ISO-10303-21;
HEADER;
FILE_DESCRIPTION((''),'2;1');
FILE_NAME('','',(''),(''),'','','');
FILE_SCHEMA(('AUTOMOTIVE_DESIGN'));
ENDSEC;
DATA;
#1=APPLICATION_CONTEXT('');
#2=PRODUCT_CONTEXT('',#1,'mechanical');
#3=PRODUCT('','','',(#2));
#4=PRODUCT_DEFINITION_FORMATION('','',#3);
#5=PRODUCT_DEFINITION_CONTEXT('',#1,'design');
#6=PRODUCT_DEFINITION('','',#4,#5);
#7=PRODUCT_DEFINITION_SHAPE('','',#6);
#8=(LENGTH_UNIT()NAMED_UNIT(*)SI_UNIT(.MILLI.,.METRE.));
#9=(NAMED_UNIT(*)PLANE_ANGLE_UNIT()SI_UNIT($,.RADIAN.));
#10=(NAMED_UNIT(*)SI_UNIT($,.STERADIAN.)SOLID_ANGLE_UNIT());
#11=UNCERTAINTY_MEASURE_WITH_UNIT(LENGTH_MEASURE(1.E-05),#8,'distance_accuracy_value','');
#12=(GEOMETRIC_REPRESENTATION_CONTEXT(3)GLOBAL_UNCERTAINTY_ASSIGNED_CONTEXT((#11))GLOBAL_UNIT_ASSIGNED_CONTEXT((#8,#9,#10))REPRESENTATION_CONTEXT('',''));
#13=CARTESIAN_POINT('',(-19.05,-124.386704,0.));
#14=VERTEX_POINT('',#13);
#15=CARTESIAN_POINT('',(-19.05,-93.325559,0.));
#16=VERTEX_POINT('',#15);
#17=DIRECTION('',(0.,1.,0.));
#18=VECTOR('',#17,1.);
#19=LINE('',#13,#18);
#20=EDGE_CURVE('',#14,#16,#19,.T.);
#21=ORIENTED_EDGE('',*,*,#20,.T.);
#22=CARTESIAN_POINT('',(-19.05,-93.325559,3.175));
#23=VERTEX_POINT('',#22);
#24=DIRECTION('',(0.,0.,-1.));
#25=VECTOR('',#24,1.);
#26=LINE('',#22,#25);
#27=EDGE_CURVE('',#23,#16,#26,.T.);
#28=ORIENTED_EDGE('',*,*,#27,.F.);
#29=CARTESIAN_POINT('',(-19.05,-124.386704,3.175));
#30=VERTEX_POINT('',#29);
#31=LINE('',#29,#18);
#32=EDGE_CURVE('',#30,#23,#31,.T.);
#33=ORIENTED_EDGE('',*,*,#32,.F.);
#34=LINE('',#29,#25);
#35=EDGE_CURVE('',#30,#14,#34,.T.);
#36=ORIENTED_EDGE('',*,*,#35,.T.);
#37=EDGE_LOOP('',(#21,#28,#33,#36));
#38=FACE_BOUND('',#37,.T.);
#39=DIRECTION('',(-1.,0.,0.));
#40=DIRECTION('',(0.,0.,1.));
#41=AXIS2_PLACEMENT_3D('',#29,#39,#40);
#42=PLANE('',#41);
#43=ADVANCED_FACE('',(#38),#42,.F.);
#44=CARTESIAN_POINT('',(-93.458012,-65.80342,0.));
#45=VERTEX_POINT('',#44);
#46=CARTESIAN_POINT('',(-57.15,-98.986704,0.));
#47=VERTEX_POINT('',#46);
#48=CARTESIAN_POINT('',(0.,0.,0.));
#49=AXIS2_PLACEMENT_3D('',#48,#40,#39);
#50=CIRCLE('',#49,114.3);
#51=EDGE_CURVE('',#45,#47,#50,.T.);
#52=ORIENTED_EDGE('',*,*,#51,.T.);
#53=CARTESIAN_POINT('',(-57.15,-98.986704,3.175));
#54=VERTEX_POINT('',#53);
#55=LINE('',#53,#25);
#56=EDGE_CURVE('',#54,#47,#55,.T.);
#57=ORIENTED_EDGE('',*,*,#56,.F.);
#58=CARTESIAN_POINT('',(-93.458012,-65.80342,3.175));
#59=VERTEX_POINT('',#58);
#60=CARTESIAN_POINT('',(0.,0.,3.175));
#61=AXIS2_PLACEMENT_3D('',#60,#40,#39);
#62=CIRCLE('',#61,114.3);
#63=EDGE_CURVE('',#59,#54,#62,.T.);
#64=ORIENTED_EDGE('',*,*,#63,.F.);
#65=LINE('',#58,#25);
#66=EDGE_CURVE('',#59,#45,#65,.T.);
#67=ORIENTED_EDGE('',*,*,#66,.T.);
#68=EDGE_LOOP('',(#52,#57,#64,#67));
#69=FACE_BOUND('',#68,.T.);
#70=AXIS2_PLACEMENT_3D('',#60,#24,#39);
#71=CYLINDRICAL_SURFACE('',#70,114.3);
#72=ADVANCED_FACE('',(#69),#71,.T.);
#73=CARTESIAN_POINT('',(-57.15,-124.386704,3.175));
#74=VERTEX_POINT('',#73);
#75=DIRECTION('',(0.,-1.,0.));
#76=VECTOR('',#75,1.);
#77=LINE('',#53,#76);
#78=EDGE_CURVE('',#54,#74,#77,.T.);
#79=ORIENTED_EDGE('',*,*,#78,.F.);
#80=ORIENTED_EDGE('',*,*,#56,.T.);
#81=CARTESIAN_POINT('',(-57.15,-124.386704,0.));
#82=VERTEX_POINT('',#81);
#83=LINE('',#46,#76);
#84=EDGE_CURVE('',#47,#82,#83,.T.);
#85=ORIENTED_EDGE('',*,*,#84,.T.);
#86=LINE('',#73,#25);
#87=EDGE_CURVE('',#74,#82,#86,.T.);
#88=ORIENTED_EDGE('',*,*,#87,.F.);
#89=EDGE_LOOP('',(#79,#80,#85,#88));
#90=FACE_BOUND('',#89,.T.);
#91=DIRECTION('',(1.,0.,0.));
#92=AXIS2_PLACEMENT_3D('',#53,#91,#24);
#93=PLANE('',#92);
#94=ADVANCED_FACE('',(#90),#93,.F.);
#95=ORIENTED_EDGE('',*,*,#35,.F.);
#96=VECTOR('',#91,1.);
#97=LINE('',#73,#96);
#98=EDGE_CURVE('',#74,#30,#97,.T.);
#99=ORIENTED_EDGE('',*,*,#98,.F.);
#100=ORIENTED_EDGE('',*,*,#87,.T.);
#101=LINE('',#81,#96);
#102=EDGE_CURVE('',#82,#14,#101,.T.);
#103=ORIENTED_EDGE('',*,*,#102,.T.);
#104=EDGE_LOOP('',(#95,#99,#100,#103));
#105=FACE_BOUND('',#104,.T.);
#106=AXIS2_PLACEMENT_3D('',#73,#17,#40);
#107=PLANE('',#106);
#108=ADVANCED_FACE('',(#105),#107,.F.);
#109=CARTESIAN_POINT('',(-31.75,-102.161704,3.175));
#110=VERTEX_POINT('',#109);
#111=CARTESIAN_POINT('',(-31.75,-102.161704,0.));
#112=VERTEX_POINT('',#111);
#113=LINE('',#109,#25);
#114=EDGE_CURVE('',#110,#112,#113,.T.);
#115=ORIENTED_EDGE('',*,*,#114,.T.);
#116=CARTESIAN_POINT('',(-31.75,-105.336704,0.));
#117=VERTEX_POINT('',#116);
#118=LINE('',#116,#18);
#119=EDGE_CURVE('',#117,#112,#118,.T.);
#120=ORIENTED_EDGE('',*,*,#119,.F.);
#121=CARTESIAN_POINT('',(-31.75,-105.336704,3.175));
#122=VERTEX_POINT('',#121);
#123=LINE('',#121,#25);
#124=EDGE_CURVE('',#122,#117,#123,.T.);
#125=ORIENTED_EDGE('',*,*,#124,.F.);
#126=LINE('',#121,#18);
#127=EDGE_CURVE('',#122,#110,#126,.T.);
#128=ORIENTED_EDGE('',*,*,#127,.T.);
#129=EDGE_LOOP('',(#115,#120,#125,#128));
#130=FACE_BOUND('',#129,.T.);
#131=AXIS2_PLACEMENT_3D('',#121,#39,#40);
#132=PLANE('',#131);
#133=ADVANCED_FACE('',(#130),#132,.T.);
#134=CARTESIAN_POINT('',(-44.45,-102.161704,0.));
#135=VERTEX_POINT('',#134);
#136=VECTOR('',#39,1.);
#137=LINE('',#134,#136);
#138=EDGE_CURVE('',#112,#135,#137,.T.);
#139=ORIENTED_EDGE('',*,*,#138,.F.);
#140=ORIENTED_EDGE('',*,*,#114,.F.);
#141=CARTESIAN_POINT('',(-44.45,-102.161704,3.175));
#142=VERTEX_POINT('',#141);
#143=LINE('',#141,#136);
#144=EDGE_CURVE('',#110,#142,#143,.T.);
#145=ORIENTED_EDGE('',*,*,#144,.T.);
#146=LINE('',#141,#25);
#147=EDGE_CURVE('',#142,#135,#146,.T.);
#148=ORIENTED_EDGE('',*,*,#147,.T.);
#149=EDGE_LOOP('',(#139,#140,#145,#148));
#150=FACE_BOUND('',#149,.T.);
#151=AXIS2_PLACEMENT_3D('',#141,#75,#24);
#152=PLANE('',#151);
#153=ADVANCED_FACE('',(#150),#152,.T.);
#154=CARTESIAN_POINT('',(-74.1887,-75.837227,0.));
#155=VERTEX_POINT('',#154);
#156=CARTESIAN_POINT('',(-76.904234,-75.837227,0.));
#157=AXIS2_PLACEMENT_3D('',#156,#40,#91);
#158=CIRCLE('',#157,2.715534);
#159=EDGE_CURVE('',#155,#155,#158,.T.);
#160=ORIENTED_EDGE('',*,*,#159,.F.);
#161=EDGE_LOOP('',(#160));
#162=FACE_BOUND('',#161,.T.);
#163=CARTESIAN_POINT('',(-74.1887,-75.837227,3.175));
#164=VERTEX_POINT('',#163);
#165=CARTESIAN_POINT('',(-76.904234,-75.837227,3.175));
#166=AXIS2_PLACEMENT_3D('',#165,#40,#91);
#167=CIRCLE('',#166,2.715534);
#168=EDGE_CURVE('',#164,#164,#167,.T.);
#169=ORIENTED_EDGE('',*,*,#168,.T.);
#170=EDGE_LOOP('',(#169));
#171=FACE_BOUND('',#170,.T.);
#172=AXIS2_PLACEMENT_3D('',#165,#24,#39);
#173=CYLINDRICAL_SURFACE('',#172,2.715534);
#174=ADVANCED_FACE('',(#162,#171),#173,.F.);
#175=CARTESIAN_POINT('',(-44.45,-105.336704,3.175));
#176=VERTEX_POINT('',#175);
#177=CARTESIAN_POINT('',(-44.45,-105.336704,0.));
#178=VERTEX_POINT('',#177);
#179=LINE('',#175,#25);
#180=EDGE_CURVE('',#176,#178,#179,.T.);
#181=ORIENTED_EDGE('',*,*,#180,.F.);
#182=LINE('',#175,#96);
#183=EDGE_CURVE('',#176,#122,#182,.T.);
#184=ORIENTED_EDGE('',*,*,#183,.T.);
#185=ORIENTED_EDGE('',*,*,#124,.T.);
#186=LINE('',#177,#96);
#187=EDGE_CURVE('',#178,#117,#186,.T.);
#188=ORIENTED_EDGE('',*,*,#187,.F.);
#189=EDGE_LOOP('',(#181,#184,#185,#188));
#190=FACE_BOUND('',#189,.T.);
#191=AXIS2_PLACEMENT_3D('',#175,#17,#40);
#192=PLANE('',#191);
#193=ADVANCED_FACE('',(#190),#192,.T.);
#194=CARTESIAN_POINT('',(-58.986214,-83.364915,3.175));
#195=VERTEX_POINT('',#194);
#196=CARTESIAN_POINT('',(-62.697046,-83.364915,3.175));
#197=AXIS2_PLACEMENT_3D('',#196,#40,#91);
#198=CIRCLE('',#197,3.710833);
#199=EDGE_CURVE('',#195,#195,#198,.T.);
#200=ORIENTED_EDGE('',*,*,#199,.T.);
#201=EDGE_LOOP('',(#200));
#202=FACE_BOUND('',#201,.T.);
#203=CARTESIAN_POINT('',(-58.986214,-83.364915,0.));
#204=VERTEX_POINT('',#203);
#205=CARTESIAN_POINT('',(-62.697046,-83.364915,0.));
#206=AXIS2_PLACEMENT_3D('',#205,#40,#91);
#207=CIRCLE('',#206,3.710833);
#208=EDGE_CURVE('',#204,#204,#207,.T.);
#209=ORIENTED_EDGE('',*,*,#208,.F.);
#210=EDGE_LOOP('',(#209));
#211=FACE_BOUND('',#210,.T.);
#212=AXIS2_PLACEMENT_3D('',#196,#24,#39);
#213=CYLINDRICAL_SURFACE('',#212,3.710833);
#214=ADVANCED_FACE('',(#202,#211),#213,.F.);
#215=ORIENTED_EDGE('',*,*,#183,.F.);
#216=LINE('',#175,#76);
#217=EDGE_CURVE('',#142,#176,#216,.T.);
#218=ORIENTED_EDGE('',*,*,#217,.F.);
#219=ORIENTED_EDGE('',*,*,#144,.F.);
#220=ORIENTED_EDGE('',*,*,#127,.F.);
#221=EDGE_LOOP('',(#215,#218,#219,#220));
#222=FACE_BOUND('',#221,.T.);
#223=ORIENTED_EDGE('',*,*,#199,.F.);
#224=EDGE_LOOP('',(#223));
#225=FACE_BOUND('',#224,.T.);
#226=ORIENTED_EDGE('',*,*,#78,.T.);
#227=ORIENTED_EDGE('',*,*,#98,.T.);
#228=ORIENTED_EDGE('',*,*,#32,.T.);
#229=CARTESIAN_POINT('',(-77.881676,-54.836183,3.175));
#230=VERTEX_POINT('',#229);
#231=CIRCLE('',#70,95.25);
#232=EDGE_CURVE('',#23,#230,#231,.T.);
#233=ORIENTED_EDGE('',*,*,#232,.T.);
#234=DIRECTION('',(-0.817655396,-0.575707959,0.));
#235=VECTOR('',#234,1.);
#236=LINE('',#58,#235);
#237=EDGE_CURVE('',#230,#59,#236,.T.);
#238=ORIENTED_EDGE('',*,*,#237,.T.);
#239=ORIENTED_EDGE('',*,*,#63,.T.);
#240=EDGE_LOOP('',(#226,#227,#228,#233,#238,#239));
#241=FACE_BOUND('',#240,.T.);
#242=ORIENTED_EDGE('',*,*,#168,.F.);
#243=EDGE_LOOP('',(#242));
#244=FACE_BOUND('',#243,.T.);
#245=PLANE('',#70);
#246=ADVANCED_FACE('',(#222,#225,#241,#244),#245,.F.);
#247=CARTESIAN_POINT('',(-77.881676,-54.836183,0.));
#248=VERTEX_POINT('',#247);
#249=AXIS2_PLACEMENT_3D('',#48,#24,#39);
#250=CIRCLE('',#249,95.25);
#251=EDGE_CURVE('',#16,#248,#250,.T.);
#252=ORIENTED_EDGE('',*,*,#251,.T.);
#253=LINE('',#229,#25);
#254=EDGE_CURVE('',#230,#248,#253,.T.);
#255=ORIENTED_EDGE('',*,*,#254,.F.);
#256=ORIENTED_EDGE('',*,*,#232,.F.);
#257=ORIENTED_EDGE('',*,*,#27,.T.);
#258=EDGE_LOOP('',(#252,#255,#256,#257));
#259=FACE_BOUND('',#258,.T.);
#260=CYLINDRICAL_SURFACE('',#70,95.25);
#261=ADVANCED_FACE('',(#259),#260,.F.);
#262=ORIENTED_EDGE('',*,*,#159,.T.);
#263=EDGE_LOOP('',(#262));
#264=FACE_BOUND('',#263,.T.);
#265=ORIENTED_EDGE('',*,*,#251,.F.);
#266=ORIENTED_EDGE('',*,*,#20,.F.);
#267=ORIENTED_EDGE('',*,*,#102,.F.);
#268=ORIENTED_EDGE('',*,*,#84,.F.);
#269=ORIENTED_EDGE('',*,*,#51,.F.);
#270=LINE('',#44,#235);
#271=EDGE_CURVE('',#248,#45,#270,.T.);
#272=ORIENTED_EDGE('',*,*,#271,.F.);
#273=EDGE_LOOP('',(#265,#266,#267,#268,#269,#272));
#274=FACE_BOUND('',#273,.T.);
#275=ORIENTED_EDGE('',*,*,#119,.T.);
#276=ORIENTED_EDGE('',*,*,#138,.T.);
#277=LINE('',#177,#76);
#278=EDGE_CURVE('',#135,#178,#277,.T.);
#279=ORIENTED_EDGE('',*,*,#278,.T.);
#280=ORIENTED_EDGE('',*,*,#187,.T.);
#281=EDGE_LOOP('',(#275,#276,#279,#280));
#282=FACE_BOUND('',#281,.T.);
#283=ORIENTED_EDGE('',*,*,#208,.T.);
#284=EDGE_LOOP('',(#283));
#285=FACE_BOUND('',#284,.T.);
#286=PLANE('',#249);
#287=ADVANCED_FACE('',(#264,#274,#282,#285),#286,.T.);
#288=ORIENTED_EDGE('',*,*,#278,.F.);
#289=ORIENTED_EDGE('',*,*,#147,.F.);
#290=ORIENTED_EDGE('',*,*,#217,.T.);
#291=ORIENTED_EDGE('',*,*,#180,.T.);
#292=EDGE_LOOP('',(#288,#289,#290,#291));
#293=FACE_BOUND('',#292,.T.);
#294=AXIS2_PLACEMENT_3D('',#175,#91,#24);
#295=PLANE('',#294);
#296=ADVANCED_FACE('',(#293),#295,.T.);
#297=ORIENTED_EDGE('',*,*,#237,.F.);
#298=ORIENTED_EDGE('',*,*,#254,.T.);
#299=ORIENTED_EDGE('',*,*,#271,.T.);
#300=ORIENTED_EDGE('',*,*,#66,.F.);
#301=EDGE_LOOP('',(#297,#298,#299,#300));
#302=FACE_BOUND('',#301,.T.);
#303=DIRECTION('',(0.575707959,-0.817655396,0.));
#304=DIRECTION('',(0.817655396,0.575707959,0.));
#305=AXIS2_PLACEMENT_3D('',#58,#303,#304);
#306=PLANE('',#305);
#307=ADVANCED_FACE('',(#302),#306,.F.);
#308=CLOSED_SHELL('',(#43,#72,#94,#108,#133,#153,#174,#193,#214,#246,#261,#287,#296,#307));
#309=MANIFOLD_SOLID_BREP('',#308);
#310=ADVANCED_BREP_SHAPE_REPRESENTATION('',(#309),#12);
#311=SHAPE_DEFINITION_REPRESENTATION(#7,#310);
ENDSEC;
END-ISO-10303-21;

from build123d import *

# Parameters (mm, degrees)
SKETCH1_R           = 2.71553392
SKETCH1_R_2         = 3.710832544
SKETCH1_W           = 12.7
SKETCH1_H           = 3.175
BOSS_EXTRUDE1_DEPTH = 3.175


with BuildPart() as part:
    # Sketch1 → Boss-Extrude1 (new body)
    with BuildSketch(Plane.XY):
        with BuildLine():
            Line((-19.05, -124.386703653), (-19.05, -93.3255592))
            ThreePointArc((-19.05, -93.3255592), (-52.146864666, -79.707383632), (-77.881676461, -54.836183051))
            Line((-77.881676461, -54.836183051), (-93.458011754, -65.803419661))
            ThreePointArc((-93.458011754, -65.803419661), (-77.110154229, -84.371287265), (-57.15, -98.986703653))
            Line((-57.15, -98.986703653), (-57.15, -124.386703653))
            Line((-57.15, -124.386703653), (-19.05, -124.386703653))
        make_face()
        with Locations((-76.904233533, -75.837226531)):
            Circle(SKETCH1_R, mode=Mode.SUBTRACT)
        with Locations((-62.697046078, -83.364915406)):
            Circle(SKETCH1_R_2, mode=Mode.SUBTRACT)
        with Locations((-38.1, -103.749203653)):
            Rectangle(SKETCH1_W, SKETCH1_H, mode=Mode.SUBTRACT)
    extrude(amount=BOSS_EXTRUDE1_DEPTH)


solid = part.part
